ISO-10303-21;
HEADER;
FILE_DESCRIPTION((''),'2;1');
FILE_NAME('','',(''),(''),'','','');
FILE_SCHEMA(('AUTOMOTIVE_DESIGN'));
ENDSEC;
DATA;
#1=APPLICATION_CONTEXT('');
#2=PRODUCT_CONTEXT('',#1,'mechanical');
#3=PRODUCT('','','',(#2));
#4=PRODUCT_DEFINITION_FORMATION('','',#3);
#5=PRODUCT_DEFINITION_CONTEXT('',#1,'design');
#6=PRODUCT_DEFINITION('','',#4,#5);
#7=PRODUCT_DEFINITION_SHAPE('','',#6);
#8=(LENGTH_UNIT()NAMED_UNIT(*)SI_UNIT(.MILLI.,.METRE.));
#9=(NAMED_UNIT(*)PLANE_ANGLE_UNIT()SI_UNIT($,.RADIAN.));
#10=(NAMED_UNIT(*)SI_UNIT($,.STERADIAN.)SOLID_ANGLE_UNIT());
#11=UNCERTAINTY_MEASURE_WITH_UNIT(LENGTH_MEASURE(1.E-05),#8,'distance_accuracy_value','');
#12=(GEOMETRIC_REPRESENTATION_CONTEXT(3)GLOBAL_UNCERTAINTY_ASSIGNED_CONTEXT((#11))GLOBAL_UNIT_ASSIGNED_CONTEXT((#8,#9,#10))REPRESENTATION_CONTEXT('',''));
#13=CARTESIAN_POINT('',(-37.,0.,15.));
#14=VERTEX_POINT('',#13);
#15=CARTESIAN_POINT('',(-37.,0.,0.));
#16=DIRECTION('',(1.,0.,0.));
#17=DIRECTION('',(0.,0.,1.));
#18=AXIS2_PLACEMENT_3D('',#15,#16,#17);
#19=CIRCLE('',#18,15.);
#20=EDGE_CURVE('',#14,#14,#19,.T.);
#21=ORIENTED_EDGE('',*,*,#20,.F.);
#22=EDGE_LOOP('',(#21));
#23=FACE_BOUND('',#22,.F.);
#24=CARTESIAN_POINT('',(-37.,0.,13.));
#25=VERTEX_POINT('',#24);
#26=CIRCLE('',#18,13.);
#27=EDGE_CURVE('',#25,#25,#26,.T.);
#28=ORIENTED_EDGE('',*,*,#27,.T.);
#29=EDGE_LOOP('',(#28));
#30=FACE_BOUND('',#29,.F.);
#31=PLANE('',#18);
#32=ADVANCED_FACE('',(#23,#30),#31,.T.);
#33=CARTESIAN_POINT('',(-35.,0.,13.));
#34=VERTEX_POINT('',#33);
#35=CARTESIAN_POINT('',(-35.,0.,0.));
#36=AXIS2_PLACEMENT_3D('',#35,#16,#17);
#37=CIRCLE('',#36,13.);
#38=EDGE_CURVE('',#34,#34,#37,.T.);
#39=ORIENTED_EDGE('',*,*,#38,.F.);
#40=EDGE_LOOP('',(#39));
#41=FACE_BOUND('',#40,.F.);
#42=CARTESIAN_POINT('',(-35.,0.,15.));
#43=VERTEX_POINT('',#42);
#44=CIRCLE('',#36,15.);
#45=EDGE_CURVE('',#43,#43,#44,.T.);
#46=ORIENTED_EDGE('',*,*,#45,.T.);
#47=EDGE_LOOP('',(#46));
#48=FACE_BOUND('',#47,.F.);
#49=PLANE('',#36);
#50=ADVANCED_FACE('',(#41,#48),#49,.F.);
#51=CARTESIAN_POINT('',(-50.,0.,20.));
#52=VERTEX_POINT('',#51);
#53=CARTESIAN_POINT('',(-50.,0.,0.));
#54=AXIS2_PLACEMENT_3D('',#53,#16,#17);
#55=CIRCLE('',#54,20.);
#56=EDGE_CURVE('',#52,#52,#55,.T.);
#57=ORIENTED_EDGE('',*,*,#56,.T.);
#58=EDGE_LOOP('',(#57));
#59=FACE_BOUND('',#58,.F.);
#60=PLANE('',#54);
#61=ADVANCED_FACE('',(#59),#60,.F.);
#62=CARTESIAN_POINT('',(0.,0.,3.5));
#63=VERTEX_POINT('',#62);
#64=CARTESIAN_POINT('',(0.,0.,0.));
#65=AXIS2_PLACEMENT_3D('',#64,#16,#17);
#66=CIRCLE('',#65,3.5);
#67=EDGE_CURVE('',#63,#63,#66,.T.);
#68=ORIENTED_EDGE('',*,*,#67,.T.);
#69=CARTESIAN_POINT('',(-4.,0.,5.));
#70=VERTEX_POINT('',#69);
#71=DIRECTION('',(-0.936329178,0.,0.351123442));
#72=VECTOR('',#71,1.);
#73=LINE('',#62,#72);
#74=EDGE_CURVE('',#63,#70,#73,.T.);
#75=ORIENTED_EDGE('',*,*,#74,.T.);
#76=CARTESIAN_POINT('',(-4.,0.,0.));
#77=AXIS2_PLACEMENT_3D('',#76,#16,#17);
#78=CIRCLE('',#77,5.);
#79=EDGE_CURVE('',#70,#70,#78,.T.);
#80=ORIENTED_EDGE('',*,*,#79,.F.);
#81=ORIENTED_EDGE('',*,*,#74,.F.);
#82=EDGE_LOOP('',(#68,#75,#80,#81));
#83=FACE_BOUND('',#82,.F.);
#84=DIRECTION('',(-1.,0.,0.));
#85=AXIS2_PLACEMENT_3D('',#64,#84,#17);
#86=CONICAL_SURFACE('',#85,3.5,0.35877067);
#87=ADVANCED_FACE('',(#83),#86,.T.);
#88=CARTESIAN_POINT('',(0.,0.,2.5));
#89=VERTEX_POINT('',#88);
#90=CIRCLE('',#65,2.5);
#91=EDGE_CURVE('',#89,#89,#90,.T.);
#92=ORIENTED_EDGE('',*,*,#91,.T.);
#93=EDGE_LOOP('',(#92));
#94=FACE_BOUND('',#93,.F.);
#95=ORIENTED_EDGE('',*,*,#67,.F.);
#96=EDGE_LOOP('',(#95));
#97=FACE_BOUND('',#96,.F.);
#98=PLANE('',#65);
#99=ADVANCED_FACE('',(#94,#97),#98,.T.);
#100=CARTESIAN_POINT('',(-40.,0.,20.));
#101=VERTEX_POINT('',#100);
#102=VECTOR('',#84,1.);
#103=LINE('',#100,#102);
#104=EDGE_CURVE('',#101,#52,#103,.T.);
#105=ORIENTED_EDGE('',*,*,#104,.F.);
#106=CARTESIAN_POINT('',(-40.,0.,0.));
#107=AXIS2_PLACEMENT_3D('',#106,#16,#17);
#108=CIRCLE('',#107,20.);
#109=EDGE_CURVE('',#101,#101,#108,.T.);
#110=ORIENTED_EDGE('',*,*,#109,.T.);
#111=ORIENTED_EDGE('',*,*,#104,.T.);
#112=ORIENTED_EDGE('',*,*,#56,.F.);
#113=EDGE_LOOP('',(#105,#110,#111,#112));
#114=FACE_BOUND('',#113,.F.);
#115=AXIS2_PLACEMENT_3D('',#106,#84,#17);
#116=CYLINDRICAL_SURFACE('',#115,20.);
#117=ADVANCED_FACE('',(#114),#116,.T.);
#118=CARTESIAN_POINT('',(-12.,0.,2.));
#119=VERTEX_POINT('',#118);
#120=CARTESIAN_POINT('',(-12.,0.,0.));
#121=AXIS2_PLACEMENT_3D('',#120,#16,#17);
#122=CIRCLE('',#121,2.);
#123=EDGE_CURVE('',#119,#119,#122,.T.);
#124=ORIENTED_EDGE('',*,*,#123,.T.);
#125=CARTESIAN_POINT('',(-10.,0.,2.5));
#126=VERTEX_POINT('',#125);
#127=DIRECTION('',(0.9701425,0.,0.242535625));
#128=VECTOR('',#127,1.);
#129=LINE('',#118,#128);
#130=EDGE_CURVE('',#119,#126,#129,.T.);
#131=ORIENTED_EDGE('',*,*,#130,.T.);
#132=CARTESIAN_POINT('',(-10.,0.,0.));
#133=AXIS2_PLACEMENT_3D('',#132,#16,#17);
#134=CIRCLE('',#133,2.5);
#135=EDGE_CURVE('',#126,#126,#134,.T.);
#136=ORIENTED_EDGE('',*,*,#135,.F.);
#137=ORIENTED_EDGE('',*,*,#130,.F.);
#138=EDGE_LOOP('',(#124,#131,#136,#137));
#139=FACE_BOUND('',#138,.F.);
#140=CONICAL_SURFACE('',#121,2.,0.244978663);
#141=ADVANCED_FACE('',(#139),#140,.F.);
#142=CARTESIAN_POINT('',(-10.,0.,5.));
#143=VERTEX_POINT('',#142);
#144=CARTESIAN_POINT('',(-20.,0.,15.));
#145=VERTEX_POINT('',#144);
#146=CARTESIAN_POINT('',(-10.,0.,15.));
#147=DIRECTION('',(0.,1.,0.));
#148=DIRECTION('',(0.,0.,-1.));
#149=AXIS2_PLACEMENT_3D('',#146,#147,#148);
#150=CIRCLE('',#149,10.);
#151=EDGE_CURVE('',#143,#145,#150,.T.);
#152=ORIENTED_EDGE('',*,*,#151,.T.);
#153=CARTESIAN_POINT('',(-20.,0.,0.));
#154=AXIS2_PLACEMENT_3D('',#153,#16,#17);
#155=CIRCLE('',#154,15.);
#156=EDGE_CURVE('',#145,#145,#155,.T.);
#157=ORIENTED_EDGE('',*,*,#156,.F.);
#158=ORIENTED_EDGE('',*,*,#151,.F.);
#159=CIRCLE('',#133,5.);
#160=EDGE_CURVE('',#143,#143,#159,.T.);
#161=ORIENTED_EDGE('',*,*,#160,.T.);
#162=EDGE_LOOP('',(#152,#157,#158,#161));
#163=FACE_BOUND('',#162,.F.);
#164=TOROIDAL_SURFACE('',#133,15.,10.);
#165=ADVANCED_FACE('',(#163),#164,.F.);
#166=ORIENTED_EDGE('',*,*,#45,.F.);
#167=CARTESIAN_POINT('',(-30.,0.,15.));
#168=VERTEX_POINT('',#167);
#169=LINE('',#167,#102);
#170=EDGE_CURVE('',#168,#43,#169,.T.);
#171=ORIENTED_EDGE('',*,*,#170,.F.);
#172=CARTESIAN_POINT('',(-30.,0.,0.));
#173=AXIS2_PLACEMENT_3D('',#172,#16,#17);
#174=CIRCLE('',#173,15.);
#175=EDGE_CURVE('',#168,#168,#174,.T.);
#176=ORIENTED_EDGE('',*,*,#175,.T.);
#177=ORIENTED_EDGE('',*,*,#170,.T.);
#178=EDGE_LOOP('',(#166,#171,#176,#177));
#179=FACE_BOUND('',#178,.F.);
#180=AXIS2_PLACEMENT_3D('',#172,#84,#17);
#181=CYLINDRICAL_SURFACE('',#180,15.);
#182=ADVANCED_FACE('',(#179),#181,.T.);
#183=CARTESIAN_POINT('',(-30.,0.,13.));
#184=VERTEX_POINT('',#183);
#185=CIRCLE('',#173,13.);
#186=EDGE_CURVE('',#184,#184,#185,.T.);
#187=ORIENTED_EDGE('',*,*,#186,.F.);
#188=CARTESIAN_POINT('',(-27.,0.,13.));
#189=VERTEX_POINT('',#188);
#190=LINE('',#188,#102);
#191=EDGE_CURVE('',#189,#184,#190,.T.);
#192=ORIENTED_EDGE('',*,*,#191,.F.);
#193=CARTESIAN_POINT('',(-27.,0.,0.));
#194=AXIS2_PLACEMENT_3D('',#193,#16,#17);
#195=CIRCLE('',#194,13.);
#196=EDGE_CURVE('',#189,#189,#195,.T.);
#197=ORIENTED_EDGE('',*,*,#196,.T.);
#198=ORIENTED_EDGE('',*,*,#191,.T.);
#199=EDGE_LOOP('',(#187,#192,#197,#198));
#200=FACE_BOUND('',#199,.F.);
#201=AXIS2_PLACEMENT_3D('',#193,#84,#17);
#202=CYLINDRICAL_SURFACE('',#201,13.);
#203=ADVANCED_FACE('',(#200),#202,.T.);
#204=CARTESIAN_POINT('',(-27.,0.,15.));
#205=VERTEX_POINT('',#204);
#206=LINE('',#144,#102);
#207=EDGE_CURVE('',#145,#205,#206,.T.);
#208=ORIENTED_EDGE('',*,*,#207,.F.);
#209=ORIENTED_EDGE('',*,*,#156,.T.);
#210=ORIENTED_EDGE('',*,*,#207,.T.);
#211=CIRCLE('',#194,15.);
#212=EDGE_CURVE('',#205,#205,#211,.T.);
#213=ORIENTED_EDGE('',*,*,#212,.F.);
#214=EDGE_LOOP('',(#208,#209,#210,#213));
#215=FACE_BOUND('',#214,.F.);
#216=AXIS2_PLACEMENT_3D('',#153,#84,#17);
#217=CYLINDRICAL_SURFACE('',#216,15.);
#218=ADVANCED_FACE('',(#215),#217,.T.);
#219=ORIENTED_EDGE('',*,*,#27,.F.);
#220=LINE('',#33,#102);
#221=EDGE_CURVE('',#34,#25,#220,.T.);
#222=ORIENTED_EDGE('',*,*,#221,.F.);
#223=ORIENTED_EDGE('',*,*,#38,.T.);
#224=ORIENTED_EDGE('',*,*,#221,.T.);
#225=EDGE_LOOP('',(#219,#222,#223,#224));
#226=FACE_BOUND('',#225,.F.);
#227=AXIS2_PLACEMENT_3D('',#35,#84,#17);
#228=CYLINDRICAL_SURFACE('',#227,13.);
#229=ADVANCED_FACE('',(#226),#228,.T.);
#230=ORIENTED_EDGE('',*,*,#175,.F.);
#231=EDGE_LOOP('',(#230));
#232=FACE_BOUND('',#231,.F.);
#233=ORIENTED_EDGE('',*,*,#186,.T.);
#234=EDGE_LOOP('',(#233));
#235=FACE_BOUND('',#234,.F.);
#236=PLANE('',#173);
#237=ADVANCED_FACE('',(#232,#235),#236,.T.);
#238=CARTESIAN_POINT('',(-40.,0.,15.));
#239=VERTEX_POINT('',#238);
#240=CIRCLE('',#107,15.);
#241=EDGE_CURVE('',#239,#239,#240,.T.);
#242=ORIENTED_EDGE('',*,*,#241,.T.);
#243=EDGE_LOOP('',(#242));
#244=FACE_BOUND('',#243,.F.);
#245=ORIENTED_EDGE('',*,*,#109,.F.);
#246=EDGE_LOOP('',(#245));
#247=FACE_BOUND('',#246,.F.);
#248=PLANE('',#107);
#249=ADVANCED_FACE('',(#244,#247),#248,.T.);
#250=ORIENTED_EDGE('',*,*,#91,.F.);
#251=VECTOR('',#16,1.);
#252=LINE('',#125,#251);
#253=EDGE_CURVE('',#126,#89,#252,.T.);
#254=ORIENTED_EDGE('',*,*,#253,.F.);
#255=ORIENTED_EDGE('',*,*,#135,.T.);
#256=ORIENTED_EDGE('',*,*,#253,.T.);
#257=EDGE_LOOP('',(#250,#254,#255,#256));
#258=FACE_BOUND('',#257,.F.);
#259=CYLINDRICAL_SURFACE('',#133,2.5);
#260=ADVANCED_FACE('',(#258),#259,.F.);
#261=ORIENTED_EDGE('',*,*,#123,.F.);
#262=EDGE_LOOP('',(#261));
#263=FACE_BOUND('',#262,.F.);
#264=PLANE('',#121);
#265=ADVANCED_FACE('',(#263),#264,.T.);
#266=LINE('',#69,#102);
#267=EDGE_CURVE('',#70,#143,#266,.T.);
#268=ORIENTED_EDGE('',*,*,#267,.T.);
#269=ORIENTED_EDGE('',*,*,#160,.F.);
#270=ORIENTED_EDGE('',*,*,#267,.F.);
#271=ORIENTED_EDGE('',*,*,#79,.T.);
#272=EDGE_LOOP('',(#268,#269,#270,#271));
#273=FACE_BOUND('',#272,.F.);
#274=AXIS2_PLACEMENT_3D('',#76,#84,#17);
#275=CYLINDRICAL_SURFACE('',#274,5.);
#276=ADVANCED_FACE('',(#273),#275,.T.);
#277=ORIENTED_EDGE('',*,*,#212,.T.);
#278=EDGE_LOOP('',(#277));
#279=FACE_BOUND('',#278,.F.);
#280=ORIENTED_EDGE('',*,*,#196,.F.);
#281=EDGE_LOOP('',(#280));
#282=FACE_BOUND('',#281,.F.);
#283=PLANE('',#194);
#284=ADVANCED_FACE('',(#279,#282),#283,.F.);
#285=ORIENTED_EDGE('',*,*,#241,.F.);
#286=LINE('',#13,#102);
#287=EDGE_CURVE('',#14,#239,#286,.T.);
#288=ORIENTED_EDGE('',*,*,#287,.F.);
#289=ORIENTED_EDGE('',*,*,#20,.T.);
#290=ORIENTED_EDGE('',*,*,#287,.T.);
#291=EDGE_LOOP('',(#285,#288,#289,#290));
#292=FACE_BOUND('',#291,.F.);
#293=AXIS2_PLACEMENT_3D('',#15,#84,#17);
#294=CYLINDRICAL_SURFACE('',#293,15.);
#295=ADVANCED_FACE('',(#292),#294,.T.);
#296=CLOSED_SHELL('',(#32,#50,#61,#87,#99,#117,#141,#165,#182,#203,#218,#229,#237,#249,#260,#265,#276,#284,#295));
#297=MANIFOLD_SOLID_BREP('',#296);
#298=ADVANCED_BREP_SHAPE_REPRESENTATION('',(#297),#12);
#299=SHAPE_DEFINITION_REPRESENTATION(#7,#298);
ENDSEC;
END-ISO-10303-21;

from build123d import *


with BuildPart() as f1:
    # F0 (on Front) → F1 (revolve)
    with BuildSketch(Plane.XZ):
        with BuildLine():
            Line((-10, 2.5), (0, 2.5))
            Line((0, 2.5), (0, 3.5))
            Line((0, 3.5), (-4, 5))
            Line((-4, 5), (-10, 5))
            ThreePointArc((-10, 5), (-17.0710678119, 7.9289321881), (-20, 15))
            Line((-20, 15), (-27, 15))
            Line((-27, 15), (-27, 13))
            Line((-27, 13), (-30, 13))
            Line((-30, 13), (-30, 15))
            Line((-30, 15), (-35, 15))
            Line((-35, 15), (-35, 13))
            Line((-35, 13), (-37, 13))
            Line((-37, 13), (-37, 15))
            Line((-37, 15), (-40, 15))
            Line((-40, 15), (-40, 20))
            Line((-40, 20), (-50, 20))
            Line((-50, 20), (-50, 0))
            Line((-50, 0), (-40, 0))
            Line((-40, 0), (-37, 0))
            Line((-37, 0), (-35, 0))
            Line((-35, 0), (-30, 0))
            Line((-30, 0), (-27, 0))
            Line((-27, 0), (-20, 0))
            Line((-20, 0), (-12, 0))
            Line((-12, 0), (-12, 2))
            Line((-12, 2), (-10, 2.5))
        make_face()
    revolve(axis=Axis((-25, 0, 0), (1, 0, 0)))


solid = f1.part
